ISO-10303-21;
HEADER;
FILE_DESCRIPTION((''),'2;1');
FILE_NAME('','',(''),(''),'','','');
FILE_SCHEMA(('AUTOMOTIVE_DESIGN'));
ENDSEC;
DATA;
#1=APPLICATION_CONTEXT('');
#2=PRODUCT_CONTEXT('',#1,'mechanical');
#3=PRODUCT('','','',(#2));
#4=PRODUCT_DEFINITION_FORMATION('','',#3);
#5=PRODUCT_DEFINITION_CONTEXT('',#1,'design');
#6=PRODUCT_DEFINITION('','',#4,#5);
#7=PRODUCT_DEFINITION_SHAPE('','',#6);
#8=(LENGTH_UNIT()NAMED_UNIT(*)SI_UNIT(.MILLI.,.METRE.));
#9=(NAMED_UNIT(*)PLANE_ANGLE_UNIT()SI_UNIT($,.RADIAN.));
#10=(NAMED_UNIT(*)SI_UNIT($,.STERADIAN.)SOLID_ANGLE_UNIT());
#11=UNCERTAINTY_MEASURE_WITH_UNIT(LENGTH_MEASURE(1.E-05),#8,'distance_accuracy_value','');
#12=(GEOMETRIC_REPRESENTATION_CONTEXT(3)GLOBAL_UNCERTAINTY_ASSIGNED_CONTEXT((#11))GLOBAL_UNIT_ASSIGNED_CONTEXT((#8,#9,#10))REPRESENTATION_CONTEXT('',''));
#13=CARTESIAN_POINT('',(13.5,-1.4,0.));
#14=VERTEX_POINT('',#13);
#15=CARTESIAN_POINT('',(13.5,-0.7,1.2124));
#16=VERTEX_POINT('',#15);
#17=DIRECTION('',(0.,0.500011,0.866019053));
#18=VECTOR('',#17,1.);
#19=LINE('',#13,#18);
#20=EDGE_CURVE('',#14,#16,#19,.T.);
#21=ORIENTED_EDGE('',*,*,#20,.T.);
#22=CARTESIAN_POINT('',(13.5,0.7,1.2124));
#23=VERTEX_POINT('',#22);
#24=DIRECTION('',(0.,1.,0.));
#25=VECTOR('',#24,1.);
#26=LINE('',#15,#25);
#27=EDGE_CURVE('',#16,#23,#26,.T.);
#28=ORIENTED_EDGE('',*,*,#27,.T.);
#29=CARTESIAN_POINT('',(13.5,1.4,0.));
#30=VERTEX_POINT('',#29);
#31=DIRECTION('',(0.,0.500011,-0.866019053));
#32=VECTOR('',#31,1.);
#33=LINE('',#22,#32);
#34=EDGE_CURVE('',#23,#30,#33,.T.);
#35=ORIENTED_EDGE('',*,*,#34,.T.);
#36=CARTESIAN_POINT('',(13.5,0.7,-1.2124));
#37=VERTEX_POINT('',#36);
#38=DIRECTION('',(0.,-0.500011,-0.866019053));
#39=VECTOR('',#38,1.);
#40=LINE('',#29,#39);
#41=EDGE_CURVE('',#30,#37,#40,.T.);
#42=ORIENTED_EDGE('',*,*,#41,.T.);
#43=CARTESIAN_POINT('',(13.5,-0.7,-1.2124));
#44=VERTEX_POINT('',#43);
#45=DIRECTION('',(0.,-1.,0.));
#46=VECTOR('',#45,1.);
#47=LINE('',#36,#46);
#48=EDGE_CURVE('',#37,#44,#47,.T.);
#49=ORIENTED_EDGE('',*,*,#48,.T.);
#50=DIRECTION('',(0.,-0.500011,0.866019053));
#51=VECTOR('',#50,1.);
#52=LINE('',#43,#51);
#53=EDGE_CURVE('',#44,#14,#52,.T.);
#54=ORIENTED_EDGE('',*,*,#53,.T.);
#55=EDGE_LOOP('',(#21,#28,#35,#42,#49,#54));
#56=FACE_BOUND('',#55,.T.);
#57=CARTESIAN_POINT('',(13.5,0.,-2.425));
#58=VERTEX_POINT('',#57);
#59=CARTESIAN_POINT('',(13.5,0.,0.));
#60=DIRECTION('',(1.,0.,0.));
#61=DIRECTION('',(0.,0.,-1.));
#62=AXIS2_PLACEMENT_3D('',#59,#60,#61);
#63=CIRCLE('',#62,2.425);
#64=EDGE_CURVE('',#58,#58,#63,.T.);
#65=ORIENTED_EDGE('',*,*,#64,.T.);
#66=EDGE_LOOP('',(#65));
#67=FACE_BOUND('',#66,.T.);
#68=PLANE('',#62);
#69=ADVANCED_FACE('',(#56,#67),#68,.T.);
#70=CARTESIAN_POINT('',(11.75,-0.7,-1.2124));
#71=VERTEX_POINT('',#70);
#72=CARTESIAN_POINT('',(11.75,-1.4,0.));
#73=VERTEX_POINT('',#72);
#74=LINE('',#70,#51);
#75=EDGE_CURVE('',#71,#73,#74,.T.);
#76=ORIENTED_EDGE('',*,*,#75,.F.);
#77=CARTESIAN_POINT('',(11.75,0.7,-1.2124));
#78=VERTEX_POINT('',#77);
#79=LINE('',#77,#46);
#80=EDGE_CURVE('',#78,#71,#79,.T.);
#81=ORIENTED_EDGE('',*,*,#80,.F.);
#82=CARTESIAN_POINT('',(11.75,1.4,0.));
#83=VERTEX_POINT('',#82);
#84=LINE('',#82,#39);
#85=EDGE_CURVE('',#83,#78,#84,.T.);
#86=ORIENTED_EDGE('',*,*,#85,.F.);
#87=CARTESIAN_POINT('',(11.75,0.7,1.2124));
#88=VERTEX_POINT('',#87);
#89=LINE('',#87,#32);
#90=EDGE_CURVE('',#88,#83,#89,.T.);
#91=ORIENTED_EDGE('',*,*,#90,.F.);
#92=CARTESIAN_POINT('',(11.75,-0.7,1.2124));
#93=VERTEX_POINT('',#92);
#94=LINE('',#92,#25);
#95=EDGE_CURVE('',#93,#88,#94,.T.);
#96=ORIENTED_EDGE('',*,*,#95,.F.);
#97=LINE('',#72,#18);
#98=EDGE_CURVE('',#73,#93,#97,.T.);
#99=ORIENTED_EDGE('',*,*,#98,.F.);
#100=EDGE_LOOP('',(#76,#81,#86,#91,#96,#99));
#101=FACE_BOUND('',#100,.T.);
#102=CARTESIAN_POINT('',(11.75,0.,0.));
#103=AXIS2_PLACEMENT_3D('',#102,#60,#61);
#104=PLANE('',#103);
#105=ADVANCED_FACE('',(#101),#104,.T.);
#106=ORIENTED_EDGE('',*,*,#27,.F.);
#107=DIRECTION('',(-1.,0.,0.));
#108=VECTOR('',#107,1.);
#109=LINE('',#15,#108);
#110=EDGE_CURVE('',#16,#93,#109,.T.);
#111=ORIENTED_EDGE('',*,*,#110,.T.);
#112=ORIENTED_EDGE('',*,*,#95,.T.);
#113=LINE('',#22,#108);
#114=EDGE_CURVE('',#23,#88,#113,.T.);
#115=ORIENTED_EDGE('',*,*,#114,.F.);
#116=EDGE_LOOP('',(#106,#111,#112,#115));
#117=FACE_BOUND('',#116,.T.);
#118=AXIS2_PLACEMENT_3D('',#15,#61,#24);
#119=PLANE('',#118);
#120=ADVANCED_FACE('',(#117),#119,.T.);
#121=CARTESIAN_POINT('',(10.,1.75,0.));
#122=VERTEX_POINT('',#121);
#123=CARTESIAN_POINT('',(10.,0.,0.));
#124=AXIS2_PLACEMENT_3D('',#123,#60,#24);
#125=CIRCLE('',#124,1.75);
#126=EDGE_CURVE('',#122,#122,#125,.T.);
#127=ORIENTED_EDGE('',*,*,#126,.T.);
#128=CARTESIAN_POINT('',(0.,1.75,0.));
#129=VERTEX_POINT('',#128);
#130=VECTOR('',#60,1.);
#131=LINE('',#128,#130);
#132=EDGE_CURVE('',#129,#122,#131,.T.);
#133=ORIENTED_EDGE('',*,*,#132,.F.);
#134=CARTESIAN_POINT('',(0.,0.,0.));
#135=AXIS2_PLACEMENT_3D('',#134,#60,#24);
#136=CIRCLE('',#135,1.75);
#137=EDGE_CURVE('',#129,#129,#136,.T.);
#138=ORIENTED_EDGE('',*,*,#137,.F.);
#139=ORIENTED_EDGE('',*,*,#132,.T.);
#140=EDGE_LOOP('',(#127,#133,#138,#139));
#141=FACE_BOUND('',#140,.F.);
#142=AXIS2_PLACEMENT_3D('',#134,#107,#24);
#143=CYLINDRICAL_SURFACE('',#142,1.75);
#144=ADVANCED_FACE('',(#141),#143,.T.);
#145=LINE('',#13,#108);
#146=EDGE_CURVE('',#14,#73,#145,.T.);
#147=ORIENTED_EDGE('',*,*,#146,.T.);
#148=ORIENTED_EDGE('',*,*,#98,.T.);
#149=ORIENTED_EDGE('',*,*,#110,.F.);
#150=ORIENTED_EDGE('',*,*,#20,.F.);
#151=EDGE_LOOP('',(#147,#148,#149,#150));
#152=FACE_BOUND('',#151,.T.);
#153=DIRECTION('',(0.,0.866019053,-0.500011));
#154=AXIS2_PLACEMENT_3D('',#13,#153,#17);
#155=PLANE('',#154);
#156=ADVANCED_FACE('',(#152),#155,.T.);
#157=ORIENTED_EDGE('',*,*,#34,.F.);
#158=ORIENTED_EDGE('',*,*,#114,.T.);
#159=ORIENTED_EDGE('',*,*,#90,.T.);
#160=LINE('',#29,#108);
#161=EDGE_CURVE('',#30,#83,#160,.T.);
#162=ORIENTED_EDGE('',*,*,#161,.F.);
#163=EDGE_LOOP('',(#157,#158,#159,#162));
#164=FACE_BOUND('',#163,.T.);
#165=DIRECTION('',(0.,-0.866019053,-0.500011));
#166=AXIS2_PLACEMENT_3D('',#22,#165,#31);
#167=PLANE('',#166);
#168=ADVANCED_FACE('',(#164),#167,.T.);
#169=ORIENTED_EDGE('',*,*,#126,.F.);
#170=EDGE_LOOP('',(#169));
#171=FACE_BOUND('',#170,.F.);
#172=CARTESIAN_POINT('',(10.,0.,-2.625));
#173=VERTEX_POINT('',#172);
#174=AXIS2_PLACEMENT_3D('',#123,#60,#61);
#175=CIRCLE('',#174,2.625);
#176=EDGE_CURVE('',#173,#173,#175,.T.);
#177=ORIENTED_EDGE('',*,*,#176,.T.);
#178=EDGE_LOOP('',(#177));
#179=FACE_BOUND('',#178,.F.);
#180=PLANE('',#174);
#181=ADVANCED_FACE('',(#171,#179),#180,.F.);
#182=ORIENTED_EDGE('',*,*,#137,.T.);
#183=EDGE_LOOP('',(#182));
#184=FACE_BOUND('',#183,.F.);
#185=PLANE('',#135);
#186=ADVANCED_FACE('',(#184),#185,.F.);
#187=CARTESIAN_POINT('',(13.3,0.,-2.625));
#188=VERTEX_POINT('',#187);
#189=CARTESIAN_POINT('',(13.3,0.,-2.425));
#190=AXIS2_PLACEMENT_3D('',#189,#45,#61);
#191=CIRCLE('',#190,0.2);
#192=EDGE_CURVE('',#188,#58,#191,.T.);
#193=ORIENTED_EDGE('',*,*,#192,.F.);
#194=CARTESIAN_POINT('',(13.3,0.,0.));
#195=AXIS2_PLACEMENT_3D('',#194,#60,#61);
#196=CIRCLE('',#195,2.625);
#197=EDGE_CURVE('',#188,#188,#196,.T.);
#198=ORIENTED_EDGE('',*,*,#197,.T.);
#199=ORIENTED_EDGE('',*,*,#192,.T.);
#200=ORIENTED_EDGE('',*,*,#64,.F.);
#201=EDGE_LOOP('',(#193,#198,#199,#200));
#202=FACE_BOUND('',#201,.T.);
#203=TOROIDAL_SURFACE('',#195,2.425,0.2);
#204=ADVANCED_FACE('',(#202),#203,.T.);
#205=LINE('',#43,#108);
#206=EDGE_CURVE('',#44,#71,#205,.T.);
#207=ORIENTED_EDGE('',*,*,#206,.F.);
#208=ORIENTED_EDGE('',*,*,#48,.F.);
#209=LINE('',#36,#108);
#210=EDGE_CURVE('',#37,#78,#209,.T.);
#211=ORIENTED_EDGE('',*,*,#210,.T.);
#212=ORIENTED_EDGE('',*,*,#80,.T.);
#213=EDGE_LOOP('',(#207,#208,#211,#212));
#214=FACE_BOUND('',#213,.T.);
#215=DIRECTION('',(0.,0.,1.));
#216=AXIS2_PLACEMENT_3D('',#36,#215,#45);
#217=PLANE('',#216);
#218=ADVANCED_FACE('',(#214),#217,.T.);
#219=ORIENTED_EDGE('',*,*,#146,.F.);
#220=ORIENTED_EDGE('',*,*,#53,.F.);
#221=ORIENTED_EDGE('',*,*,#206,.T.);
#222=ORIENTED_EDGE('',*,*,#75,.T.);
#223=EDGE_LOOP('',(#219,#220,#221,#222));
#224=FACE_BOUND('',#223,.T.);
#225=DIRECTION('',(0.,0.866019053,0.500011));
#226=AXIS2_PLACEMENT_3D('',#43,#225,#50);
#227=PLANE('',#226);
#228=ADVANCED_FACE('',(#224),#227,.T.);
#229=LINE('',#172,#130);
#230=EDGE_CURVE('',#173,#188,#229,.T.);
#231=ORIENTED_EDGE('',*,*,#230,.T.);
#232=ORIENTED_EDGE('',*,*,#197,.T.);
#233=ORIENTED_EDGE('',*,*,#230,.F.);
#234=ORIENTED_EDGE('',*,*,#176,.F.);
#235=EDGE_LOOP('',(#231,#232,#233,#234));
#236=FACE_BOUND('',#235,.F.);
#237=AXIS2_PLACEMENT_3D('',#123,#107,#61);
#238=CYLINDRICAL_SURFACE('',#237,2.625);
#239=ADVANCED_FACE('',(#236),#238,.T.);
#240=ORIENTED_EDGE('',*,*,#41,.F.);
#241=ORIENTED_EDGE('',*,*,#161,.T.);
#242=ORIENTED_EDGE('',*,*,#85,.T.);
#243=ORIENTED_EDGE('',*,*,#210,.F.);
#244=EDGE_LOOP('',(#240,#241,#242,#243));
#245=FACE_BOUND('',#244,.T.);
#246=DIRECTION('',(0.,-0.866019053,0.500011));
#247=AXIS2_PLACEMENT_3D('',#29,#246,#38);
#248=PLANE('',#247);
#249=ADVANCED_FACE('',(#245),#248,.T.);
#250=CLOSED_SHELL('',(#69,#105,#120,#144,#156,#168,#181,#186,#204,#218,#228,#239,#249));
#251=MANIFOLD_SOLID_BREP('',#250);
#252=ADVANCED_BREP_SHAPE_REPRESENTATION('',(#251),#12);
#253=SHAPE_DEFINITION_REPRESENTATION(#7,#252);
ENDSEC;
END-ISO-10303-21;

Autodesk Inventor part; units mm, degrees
ref_plane "YZ Plane" through (0, 0, 0) normal (1, 0, 0) x (0, 1, 0)
ref_plane "XZ Plane" through (0, 0, 0) normal (0, 1, 0) x (-1, 0, 0)
sketch "Sketch1" plane through (0, 0, 0) normal (1, 0, 0) x (0, 1, 0)
  circle A0 centre (0, 0) radius 1.75
  dimension "d0" = 3.5
extrude "Extrusion1" add sketch "Sketch1" along normal blind 10
sketch "Sketch2" plane through (10, 0, 0) normal (1, 0, 0) x (0, 0, -1)
  circle A0 centre (0, 0) radius 2.625
  dimension "d3" = 5.25
extrude "Extrusion2" add sketch "Sketch2" along normal blind 3.5
ref_plane "Work Plane1" through (13.5, 0, 0) normal (1, 0, 0) x (0, 0, -1)
sketch "Sketch3" plane through (13.5, 0, 0) normal (1, 0, 0) x (0, 0, -1)
  line L0 (0, -1.4) -> (-1.2124, -0.7)
  line L1 (-1.2124, -0.7) -> (-1.2124, 0.7)
  line L2 (-1.2124, 0.7) -> (0, 1.4)
  line L3 (0, 1.4) -> (1.2124, 0.7)
  line L4 (1.2124, 0.7) -> (1.2124, -0.7)
  line L5 (1.2124, -0.7) -> (0, -1.4)
  point P0 (0, 0)
  point P1 (0, 0)
  dimension "d9" = 2.8
  dimension "d10" = 1.2124
extrude "Extrusion3" cut sketch "Sketch3" against normal blind 1.75
fillet "Fillet2" radius 0.2 1 edges at (13.5, 0, 2.625)
properties part number "M3.5" material "Iron, Cast"
